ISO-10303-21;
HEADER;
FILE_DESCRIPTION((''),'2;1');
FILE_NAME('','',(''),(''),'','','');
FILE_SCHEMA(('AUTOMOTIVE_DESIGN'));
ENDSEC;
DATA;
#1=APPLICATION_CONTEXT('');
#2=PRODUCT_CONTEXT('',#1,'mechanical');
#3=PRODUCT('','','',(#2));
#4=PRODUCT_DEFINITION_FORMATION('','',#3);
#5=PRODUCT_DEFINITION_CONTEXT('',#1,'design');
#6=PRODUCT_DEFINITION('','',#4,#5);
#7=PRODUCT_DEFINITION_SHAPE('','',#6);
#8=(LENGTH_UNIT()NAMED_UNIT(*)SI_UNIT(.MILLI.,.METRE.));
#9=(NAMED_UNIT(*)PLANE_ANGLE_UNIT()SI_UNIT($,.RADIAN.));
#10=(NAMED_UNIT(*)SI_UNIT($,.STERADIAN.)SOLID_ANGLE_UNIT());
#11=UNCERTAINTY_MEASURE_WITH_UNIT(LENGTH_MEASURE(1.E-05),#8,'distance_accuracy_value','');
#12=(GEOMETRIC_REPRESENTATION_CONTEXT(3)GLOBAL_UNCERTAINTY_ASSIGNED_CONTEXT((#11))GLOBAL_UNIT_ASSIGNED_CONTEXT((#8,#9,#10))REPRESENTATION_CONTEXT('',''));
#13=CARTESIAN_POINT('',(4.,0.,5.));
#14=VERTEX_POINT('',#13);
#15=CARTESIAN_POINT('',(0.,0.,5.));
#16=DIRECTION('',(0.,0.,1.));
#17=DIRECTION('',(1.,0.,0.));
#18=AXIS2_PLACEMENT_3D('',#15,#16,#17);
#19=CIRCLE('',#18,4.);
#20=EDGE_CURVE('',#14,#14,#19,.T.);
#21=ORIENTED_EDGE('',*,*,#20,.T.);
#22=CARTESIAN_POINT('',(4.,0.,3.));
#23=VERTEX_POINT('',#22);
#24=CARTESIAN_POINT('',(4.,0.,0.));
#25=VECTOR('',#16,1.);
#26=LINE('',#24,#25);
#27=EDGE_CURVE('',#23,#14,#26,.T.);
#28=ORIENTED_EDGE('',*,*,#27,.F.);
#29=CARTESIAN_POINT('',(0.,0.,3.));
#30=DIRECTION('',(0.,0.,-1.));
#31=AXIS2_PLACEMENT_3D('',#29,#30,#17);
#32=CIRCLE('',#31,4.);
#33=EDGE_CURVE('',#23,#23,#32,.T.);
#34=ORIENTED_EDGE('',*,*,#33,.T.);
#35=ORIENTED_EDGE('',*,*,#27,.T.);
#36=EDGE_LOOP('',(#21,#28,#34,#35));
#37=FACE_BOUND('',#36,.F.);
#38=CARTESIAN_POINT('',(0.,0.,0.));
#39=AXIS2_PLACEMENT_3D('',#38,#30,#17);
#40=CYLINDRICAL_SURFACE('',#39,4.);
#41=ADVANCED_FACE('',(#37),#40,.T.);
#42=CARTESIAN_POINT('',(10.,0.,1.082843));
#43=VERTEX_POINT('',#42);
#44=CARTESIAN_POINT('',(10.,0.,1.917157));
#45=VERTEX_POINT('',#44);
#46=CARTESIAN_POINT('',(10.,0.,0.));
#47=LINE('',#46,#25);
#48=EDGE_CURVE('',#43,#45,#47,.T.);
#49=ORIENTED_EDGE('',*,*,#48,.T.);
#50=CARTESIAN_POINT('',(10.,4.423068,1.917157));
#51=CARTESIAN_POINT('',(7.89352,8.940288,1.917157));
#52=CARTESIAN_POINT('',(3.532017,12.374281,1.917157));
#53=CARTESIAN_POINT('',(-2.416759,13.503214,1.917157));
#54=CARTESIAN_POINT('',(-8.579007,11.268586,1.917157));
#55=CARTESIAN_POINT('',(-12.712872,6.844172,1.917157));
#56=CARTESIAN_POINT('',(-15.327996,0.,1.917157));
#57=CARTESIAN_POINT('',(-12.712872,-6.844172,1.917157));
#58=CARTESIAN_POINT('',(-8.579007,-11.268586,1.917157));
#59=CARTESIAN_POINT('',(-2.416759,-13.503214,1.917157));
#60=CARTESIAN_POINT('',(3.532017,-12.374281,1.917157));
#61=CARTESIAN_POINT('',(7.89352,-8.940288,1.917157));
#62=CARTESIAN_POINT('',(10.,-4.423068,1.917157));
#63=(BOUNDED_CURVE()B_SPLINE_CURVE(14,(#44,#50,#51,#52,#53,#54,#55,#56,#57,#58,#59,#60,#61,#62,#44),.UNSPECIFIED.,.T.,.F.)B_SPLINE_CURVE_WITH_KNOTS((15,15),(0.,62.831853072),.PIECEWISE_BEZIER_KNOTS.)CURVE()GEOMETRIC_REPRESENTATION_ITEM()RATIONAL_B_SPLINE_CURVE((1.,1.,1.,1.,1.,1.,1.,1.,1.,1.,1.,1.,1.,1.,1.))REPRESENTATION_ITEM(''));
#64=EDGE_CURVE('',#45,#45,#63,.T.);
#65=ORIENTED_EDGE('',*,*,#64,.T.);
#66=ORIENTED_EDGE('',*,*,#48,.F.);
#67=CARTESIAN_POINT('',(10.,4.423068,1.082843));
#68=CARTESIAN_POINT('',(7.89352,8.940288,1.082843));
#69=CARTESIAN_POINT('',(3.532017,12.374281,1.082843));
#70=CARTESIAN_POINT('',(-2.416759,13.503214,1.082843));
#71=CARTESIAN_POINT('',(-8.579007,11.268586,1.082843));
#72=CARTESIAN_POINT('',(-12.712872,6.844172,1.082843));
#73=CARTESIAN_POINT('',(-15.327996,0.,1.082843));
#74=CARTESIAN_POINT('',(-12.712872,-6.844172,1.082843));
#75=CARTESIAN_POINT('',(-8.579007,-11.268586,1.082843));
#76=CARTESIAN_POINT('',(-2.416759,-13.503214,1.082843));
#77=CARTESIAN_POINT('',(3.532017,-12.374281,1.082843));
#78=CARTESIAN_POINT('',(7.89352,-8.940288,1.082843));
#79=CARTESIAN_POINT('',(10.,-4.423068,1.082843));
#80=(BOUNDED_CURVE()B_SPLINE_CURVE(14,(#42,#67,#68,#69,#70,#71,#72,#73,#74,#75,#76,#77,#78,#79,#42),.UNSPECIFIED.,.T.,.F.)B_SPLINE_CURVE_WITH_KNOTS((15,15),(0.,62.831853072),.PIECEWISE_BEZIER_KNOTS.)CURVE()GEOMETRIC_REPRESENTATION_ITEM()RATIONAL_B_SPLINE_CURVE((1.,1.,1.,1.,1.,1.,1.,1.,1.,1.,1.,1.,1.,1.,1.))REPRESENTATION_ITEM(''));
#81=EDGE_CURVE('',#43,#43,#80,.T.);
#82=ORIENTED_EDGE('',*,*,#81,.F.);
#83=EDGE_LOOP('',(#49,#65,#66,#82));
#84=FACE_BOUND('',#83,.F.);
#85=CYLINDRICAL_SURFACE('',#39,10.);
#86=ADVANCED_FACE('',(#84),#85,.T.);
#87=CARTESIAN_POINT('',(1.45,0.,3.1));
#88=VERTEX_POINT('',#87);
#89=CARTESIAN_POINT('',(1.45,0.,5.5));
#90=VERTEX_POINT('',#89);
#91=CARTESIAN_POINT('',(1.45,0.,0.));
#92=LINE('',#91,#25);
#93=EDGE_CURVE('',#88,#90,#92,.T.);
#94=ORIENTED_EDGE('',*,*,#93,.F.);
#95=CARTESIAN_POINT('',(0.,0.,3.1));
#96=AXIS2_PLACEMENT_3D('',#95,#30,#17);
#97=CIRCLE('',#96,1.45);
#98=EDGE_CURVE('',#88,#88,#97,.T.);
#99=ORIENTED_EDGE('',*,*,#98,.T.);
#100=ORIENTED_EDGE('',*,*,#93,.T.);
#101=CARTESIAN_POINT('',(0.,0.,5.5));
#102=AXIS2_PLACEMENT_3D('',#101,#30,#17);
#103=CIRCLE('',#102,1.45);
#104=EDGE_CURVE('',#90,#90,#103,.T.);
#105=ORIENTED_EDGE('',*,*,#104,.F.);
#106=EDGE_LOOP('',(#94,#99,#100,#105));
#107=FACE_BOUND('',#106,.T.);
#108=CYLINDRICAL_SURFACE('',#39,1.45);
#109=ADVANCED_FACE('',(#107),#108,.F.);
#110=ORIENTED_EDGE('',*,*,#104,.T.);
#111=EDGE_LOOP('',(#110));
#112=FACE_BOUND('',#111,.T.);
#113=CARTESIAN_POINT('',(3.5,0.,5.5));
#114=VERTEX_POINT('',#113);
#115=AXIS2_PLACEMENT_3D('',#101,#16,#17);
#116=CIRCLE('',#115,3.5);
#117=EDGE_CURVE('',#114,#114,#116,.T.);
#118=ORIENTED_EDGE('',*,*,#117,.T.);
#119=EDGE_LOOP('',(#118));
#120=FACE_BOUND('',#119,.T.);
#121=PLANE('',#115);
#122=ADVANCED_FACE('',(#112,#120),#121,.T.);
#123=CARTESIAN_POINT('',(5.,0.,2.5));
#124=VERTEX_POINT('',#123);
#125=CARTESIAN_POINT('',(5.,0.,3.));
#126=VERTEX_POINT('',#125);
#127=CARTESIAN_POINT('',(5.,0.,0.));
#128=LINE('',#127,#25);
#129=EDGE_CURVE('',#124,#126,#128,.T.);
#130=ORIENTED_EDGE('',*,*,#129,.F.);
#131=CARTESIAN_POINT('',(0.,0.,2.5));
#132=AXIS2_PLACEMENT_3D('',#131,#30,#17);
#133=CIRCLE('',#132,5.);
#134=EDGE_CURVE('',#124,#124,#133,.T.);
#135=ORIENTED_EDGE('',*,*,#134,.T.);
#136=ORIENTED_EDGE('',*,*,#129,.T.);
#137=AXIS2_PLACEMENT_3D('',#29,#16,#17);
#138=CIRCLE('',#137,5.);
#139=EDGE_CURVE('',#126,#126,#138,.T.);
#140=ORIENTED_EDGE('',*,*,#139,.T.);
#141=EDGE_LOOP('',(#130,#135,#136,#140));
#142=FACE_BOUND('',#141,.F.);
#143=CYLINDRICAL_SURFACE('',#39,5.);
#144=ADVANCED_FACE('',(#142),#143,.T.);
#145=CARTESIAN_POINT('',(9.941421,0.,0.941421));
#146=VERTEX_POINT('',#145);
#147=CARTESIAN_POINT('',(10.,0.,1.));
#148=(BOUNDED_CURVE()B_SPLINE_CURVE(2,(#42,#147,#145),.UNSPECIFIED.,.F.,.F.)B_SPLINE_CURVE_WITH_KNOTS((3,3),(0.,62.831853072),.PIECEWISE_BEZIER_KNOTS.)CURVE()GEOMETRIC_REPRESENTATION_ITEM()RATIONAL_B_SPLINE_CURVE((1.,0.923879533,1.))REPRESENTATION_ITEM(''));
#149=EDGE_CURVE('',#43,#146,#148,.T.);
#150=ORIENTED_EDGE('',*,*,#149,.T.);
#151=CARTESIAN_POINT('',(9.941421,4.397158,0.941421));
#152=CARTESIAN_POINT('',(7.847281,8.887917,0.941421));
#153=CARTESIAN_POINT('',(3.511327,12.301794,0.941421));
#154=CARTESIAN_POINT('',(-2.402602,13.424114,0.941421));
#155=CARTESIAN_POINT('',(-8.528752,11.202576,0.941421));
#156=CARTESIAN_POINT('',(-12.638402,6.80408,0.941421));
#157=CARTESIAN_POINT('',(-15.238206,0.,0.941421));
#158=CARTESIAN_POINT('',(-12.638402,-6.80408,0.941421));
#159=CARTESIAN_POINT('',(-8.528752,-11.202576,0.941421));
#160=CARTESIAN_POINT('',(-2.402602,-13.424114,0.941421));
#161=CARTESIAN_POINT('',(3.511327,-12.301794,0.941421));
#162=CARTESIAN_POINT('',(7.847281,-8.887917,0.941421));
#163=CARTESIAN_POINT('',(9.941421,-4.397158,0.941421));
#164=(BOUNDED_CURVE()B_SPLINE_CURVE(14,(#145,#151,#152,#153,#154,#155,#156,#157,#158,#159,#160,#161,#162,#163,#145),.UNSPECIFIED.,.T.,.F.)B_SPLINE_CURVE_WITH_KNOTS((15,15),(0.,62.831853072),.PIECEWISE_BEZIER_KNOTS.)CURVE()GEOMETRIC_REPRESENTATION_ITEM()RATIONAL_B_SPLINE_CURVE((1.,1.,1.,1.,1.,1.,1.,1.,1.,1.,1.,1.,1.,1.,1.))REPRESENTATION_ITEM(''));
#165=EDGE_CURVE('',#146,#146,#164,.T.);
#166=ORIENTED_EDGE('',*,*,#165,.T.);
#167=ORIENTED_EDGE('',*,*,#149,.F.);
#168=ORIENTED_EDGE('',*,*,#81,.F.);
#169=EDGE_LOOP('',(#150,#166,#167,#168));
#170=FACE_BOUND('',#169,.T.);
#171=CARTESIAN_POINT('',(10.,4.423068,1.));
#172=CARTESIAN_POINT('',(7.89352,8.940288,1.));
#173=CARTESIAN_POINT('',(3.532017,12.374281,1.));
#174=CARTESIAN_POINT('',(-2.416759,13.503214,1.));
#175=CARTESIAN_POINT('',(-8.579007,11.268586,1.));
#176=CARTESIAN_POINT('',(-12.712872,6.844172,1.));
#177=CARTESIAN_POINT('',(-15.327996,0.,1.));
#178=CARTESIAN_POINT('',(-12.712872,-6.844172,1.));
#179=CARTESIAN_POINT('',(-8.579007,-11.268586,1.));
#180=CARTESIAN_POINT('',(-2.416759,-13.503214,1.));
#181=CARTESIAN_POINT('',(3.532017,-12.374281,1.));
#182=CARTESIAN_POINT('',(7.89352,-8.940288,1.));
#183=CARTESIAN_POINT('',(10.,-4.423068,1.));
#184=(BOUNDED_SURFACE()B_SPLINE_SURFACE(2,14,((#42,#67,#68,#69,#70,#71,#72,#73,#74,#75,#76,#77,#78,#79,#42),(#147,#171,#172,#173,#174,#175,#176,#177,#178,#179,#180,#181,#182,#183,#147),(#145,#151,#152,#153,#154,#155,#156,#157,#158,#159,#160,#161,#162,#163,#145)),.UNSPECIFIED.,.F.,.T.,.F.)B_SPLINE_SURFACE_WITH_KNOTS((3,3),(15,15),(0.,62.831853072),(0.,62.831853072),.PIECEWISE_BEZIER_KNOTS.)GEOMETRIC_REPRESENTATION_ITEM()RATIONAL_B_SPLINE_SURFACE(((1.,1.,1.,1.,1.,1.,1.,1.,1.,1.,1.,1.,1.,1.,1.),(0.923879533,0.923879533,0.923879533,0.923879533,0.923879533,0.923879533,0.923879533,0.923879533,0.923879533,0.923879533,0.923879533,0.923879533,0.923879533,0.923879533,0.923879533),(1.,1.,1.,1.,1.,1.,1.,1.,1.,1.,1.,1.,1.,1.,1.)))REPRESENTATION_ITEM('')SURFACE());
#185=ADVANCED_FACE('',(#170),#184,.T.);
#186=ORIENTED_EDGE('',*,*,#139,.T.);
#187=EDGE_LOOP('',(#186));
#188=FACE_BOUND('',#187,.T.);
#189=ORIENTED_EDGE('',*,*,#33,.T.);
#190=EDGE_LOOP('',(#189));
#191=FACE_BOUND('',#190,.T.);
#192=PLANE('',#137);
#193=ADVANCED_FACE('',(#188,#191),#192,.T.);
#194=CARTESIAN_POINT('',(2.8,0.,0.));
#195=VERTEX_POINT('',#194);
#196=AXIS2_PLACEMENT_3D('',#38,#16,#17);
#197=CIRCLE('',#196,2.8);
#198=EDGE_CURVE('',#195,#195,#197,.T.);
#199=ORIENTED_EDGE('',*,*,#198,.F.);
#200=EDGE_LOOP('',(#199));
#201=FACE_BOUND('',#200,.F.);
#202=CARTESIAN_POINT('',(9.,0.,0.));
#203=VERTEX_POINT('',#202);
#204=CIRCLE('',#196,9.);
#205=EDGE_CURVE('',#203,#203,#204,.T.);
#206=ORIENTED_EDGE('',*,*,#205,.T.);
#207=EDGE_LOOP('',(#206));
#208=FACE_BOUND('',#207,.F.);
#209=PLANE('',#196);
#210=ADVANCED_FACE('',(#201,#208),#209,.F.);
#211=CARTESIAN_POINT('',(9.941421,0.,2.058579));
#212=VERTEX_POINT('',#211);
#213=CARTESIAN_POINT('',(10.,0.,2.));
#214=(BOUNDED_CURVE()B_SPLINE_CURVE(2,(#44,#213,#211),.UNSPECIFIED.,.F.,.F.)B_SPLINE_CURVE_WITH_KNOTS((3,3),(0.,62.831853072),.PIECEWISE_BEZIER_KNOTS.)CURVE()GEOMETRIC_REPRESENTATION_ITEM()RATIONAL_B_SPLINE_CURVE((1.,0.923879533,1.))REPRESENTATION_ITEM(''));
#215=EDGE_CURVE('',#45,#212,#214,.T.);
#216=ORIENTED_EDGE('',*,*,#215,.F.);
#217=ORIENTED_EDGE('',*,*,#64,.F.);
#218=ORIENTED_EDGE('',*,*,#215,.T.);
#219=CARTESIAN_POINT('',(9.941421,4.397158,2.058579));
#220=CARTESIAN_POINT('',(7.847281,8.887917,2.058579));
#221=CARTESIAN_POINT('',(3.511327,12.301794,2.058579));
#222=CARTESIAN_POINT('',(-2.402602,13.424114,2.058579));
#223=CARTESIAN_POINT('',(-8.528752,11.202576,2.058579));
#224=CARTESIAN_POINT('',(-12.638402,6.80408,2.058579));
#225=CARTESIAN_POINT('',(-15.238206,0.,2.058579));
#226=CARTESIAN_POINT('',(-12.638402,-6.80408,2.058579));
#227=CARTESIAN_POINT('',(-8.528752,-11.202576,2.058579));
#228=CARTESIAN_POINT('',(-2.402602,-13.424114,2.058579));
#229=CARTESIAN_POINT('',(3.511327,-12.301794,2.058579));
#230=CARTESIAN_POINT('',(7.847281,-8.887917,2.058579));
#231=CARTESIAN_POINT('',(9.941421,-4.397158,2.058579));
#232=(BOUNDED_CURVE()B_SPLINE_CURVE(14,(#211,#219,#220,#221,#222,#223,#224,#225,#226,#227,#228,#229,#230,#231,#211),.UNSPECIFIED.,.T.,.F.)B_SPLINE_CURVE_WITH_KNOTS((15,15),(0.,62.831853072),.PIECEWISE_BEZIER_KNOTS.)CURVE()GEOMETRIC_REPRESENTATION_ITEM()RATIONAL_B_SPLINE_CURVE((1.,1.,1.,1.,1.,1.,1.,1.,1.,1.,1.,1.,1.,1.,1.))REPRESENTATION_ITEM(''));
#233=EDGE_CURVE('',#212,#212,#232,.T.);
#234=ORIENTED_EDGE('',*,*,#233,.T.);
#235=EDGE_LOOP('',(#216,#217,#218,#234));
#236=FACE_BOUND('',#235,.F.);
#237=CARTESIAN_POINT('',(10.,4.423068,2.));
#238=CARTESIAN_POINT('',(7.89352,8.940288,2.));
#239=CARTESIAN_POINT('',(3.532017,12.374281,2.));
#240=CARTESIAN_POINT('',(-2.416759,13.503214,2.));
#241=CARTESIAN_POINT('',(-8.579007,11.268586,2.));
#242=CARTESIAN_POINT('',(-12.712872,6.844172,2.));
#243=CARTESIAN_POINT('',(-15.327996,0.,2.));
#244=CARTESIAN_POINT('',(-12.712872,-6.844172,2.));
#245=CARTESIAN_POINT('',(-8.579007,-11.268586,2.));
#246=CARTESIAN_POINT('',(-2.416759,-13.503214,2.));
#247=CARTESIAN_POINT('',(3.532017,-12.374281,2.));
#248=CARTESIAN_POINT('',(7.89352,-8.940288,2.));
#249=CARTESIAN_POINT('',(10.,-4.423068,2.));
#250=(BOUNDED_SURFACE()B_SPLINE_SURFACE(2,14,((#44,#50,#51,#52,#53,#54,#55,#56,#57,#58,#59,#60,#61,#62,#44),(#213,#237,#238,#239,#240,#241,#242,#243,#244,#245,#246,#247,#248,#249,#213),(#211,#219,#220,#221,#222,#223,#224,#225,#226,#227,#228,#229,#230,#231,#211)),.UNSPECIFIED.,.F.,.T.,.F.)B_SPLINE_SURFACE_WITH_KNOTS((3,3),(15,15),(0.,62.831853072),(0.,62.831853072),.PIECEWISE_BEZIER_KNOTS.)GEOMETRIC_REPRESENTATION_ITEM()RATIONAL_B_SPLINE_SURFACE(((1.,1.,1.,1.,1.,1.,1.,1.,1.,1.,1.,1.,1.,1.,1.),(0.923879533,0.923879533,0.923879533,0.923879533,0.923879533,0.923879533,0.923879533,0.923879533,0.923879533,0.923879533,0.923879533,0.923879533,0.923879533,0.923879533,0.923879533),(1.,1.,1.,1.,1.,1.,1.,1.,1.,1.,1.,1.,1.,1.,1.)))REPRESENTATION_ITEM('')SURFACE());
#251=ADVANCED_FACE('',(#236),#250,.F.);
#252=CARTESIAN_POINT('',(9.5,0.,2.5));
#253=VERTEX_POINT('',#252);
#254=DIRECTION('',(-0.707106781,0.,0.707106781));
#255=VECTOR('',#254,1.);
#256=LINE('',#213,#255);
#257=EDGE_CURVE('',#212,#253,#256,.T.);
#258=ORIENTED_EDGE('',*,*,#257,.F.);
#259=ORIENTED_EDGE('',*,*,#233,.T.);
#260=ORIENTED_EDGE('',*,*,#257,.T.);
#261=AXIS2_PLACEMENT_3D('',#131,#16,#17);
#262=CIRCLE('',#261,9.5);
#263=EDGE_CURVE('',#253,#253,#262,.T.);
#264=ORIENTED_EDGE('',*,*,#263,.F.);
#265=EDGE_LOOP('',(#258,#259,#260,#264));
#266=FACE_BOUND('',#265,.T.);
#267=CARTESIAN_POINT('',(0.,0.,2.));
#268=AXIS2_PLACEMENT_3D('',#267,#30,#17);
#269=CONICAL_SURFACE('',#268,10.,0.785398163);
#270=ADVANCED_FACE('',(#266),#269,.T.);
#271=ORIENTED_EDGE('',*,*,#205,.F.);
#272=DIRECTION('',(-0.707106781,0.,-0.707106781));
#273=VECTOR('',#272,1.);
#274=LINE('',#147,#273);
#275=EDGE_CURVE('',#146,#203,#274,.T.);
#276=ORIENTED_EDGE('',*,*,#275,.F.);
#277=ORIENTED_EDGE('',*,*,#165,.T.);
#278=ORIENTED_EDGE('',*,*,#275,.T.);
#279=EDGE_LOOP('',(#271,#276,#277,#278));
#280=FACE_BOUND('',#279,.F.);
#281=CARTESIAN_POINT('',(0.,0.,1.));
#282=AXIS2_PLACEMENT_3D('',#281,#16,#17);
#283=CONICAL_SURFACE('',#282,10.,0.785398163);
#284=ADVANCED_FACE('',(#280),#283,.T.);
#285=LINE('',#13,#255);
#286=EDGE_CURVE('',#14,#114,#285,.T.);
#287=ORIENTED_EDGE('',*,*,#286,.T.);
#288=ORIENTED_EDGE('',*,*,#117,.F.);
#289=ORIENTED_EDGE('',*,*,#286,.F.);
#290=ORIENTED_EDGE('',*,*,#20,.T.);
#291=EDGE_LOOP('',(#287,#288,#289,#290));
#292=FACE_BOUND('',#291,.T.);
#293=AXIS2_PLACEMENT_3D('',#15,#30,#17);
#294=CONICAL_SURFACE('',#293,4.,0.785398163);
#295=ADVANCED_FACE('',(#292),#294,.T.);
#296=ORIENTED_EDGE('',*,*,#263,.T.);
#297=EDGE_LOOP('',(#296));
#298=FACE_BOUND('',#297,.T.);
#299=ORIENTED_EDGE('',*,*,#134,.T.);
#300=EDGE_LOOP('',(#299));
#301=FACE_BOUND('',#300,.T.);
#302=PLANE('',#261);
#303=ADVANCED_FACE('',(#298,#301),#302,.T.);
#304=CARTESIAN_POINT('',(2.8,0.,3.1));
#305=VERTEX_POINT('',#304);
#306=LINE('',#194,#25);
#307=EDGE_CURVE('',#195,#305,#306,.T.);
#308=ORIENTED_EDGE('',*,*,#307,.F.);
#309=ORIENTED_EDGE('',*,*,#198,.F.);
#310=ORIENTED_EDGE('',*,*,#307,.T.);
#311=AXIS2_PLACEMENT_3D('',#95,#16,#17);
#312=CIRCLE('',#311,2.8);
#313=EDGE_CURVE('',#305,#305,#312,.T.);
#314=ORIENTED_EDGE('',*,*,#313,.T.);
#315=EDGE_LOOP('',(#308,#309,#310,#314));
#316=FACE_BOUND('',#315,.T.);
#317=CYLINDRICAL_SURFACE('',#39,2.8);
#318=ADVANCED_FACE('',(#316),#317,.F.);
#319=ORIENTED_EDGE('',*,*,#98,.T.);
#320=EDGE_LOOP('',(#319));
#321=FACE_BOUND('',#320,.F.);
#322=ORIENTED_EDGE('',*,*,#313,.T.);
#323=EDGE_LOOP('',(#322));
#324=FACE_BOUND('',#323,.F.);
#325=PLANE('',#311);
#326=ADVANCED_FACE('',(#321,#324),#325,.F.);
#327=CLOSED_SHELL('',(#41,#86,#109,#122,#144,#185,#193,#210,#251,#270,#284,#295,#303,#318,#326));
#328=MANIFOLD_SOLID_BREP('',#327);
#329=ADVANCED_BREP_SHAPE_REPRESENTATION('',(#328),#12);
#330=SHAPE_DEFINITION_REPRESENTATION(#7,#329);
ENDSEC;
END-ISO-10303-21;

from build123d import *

# Parameters (mm, degrees)
F0_R      = 4
F1_DEPTH  = 5.5
F2_R      = 5
F3_DEPTH  = 3
F4_R      = 10
F5_DEPTH  = 2.5
F6_SIZE   = 1
F7_SIZE   = 0.5
F8_R      = 0.2
F9_SIZE   = 0.5
F11_R     = 2.8
F12_DEPTH = 3.1
F13_R     = 1.45
F14_DEPTH = 8.4


with BuildPart() as f1:
    # F0 (on Top) → F1 (new body)
    with BuildSketch(Plane.XY):
        Circle(F0_R)
    extrude(amount=F1_DEPTH)

    # F2 (on Top) → F3 (join)
    with BuildSketch(Plane.XY):
        Circle(F2_R)
    extrude(amount=F3_DEPTH)

    # F4 (on Top) → F5 (join)
    with BuildSketch(Plane.XY):
        Circle(F4_R)
    extrude(amount=F5_DEPTH)

    # F6
    f6_edges = [f1.edges().sort_by_distance(p)[0] for p in [
        (-10, 0, 0),
    ]]
    chamfer(f6_edges, length=F6_SIZE)

    # F7
    f7_edges = [f1.edges().sort_by_distance(p)[0] for p in [
        (-10, 0, 2.5),
    ]]
    chamfer(f7_edges, length=F7_SIZE)

    # F8
    f8_edges = [f1.edges().sort_by_distance(p)[0] for p in [
        (-10, 0, 1),
        (-10, 0, 2),
    ]]
    fillet(f8_edges, radius=F8_R)

    # F9
    f9_edges = [f1.edges().sort_by_distance(p)[0] for p in [
        (-4, 0, 5.5),
    ]]
    chamfer(f9_edges, length=F9_SIZE)


with BuildPart() as f10_1:
    # F10: copy of F1
    add(f1.part.moved(Location((-25, 0, 0))))


with BuildPart() as f1_1:
    add(f1.part)

    # F11 (on Top) → F12 (cut)
    with BuildSketch(Plane.XY):
        Circle(F11_R)
    extrude(amount=F12_DEPTH, mode=Mode.SUBTRACT)

    # F13 (on Top) → F14 (cut)
    with BuildSketch(Plane.XY):
        Circle(F13_R)
    extrude(amount=F14_DEPTH, mode=Mode.SUBTRACT)


with BuildPart() as f16_1:
    # F16: copy of F1
    add(f1_1.part.moved(Location((-23.4, 0, 0))))


solid = f1_1.part
